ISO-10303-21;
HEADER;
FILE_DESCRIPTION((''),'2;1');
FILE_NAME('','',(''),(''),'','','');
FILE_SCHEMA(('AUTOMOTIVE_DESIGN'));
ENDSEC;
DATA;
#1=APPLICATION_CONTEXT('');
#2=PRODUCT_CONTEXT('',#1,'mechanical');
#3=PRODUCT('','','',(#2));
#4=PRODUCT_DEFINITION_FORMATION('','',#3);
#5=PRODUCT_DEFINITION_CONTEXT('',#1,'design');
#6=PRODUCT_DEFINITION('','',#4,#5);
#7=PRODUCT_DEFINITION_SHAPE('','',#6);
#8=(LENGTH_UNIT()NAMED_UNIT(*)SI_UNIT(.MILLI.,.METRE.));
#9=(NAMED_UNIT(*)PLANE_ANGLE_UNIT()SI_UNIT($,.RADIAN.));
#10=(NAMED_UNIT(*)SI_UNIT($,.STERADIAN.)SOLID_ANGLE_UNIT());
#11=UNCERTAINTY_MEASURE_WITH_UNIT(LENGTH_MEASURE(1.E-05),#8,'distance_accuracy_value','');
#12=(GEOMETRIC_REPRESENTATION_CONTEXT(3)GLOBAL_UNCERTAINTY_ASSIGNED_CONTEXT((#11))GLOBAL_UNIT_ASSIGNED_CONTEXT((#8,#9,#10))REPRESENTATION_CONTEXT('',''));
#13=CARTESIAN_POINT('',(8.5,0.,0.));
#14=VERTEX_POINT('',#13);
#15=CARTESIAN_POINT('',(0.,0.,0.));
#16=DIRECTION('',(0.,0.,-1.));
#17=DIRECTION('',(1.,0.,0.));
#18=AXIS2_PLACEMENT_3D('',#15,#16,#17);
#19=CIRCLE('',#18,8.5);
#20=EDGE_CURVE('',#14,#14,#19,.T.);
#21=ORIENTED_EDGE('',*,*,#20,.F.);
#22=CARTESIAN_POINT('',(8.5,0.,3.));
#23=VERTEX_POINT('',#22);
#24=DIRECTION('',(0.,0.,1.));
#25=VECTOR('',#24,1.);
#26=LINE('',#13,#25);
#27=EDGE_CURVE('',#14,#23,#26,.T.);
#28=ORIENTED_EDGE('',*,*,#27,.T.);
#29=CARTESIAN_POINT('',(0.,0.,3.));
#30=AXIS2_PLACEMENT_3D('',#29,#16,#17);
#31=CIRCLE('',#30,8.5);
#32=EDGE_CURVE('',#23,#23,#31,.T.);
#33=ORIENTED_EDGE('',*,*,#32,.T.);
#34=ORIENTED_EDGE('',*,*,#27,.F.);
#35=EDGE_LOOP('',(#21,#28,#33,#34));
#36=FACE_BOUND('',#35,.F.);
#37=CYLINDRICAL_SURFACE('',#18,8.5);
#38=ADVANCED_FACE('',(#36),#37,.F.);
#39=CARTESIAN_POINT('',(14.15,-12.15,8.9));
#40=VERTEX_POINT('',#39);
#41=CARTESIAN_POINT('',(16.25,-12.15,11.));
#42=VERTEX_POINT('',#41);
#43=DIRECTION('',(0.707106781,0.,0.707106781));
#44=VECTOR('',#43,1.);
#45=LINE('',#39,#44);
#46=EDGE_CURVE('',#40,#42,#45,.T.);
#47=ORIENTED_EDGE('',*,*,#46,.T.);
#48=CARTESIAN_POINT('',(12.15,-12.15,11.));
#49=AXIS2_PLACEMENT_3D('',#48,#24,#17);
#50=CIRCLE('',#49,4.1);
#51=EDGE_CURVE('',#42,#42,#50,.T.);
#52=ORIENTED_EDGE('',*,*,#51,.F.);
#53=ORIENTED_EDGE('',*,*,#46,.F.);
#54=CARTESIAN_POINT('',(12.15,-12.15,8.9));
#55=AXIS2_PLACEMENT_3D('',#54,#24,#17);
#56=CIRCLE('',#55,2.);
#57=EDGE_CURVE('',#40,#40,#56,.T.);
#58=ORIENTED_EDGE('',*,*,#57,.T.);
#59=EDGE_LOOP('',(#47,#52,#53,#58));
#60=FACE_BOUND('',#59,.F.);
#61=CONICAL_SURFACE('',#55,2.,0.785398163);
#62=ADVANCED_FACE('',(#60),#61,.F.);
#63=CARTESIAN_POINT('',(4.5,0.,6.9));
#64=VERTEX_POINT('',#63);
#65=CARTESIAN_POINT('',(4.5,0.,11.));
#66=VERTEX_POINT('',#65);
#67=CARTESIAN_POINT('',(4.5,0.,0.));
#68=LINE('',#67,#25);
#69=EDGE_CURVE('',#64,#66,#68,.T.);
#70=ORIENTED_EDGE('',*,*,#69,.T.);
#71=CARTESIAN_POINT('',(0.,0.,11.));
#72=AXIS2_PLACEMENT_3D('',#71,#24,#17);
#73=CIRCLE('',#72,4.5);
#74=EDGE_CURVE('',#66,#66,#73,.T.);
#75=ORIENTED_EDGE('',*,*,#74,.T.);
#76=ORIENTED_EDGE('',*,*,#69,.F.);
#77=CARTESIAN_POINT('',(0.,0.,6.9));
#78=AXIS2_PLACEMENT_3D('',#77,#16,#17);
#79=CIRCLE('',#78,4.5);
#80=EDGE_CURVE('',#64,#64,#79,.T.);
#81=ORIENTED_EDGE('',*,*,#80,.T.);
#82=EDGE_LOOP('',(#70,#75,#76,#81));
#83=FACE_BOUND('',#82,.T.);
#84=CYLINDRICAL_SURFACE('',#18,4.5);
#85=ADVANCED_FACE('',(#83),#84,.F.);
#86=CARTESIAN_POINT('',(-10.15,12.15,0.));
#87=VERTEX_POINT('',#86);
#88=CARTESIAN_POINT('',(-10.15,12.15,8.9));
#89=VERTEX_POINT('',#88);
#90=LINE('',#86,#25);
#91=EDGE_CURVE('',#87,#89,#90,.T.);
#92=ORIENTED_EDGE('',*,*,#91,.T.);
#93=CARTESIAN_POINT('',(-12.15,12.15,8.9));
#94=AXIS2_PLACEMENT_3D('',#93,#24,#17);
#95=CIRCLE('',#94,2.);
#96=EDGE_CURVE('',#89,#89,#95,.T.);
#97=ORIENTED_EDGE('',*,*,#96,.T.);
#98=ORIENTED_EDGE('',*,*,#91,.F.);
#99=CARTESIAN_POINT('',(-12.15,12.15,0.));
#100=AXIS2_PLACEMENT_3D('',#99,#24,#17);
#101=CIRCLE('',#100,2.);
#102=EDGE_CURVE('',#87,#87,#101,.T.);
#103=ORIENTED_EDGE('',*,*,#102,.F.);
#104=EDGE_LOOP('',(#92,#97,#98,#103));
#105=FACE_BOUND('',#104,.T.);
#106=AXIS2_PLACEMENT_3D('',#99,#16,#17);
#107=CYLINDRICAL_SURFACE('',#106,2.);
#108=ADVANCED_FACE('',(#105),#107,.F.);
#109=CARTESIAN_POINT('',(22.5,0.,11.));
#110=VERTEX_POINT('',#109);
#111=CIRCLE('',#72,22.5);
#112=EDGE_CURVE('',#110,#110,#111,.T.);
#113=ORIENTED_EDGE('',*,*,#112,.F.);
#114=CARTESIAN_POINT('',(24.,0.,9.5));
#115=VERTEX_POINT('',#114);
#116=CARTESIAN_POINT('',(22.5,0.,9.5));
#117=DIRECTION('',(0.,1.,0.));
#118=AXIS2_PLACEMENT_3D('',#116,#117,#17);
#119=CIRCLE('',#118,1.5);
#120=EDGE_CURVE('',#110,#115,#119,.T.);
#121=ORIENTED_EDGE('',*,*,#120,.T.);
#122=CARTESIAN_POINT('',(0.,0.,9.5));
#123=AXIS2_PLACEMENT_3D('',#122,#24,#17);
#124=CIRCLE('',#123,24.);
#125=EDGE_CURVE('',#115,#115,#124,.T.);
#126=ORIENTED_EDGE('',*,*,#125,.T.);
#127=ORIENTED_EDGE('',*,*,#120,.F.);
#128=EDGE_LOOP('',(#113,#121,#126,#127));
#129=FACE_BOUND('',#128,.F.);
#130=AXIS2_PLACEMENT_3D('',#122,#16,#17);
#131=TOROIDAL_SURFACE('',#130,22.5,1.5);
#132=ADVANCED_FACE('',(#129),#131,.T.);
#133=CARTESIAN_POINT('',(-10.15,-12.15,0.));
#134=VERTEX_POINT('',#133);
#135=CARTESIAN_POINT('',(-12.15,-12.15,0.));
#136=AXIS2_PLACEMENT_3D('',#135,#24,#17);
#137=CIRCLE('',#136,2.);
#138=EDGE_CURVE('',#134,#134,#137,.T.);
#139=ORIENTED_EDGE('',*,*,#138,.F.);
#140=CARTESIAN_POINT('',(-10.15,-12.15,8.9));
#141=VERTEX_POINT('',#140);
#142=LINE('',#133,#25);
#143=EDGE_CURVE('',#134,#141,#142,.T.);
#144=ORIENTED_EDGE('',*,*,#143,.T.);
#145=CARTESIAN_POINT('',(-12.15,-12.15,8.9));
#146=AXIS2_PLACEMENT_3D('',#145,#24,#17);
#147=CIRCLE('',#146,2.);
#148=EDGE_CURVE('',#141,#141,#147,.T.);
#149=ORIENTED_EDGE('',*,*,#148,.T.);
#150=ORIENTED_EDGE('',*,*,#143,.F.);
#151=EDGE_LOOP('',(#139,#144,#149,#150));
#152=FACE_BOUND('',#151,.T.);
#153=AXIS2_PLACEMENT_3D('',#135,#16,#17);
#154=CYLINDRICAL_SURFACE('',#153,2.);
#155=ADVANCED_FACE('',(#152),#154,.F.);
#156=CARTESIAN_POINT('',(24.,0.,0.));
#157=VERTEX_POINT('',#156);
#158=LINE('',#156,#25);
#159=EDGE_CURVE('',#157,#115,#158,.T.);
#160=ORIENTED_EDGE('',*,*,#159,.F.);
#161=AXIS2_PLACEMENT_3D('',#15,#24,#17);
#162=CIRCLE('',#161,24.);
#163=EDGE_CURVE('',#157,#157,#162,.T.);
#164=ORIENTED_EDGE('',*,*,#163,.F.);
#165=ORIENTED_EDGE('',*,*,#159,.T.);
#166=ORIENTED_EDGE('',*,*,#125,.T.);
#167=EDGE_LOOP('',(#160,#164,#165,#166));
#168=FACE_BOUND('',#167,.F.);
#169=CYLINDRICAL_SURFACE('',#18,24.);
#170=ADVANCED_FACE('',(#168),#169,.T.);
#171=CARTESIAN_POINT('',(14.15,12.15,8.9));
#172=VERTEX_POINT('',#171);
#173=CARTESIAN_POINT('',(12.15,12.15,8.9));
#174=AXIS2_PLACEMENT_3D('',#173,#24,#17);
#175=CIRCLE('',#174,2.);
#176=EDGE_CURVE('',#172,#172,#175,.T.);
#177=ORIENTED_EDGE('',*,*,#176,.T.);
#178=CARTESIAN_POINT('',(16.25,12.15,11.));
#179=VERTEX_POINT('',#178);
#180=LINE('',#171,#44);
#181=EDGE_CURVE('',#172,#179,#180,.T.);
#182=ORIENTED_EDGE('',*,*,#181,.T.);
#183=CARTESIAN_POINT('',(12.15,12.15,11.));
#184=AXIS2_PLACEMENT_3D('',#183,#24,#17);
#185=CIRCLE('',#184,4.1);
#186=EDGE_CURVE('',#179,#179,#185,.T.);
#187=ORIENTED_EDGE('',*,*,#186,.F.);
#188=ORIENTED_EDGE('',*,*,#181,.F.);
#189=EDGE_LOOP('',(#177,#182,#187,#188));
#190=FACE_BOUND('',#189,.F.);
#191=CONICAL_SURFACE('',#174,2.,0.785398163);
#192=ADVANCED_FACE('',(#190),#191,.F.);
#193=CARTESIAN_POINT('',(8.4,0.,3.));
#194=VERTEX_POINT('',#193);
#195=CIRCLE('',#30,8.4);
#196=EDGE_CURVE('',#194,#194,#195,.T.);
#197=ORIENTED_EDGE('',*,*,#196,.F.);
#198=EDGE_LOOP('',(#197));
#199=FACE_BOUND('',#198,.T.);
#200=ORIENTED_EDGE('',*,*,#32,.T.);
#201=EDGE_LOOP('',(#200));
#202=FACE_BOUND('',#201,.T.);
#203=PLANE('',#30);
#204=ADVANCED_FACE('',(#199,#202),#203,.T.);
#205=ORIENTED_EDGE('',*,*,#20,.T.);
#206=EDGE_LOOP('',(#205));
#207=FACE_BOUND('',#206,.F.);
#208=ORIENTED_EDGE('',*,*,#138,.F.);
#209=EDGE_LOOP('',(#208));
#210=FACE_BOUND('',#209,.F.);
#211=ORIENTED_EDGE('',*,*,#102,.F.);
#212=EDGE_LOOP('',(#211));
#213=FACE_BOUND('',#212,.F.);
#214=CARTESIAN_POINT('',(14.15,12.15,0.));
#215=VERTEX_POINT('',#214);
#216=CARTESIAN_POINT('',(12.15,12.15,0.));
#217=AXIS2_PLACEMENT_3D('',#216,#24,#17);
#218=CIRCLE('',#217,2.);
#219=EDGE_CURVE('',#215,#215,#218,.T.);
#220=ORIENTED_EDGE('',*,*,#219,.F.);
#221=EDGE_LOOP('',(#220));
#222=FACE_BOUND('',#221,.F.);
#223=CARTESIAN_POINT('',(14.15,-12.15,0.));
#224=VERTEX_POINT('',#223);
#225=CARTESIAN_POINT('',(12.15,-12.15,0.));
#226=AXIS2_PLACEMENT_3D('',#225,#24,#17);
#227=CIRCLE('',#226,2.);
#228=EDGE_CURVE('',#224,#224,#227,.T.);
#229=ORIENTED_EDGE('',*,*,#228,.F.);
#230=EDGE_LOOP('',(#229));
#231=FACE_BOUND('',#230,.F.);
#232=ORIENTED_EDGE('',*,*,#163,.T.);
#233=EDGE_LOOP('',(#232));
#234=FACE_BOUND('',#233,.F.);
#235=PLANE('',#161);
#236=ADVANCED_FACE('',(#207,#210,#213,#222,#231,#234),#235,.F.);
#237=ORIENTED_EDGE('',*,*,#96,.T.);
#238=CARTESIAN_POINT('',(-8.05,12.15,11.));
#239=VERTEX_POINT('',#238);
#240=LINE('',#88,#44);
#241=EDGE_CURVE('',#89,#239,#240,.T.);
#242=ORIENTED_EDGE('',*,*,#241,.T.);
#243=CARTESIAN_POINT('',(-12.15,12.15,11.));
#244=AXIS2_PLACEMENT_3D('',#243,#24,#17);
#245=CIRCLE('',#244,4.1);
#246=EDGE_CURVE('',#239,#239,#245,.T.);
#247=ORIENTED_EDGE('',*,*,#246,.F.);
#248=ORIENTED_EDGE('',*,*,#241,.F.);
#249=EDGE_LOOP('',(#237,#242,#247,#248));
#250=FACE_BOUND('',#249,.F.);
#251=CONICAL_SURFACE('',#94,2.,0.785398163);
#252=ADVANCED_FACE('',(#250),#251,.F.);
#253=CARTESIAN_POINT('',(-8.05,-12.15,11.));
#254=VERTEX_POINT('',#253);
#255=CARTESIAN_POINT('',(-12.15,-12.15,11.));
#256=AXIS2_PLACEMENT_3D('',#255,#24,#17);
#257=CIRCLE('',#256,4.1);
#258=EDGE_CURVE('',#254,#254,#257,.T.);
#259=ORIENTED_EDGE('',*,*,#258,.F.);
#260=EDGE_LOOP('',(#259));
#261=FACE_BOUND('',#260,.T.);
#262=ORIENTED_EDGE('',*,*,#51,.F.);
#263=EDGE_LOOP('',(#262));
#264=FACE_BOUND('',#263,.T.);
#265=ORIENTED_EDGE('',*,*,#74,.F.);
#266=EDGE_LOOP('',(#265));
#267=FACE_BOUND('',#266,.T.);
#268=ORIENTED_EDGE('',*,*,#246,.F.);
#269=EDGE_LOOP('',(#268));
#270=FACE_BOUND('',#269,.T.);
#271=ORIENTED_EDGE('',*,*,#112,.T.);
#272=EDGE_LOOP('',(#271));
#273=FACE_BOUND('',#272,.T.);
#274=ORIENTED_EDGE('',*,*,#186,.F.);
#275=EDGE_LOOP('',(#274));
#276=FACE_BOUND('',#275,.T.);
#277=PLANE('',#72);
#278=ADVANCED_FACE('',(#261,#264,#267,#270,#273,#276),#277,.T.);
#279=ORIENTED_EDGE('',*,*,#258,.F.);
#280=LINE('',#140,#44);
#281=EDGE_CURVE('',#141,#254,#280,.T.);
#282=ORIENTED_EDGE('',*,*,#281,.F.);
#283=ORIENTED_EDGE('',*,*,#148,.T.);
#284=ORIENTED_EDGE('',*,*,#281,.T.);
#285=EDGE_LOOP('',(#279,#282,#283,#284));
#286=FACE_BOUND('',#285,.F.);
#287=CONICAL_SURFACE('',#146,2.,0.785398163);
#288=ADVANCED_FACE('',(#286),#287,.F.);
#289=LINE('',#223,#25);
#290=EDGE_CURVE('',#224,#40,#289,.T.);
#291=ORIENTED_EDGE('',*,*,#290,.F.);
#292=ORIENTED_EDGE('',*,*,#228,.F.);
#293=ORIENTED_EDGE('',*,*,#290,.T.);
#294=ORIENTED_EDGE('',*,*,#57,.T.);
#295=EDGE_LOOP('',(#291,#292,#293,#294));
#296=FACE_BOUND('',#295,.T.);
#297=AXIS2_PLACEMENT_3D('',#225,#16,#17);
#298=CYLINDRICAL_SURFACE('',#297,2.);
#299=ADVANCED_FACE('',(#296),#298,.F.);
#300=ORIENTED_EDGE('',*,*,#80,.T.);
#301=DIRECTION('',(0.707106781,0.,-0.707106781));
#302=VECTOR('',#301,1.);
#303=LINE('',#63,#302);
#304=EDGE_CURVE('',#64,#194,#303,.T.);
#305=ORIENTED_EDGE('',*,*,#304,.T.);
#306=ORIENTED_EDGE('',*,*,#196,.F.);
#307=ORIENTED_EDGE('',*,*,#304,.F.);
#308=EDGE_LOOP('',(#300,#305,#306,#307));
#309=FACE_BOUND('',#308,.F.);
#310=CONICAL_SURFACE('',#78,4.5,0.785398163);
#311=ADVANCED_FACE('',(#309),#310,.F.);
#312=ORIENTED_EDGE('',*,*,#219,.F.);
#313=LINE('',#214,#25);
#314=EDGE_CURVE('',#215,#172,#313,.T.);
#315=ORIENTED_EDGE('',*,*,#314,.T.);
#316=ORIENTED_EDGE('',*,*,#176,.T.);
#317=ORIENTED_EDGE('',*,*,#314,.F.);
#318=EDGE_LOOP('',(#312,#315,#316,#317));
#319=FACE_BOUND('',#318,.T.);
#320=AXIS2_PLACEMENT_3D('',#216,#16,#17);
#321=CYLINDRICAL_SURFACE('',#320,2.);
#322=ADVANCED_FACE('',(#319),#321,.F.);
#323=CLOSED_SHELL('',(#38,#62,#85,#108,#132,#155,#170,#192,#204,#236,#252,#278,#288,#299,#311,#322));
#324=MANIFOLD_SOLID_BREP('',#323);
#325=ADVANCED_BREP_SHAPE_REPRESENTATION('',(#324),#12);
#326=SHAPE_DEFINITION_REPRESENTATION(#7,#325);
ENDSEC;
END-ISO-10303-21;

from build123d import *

# Parameters (mm, degrees)
SKETCH_R        = 24
SKETCH_R_2      = 4.5
SKETCH_R_3      = 2
PAD_DEPTH       = 11
CHAMFER_SIZE    = 2.1
FILLET_R        = 1.5
SKETCH001_R     = 8.5
POCKET_DEPTH    = 3
CHAMFER001_SIZE = 3.9


with BuildPart() as part:
    # Sketch → Pad (new body)
    with BuildSketch(Plane.XY):
        Circle(SKETCH_R)
        Circle(SKETCH_R_2, mode=Mode.SUBTRACT)
        with Locations((-12.15, 12.15)):
            Circle(SKETCH_R_3, mode=Mode.SUBTRACT)
        with Locations((12.15, 12.15)):
            Circle(SKETCH_R_3, mode=Mode.SUBTRACT)
        with Locations((12.15, -12.15)):
            Circle(SKETCH_R_3, mode=Mode.SUBTRACT)
        with Locations((-12.15, -12.15)):
            Circle(SKETCH_R_3, mode=Mode.SUBTRACT)
    extrude(amount=PAD_DEPTH)

    # Chamfer
    chamfer_edges = [part.edges().sort_by_distance(p)[0] for p in [
        (-14.15, 12.15, 11),
        (-14.15, -12.15, 11),
        (10.15, 12.15, 11),
        (10.15, -12.15, 11),
    ]]
    chamfer(chamfer_edges, length=CHAMFER_SIZE)

    # Fillet
    fillet_edges = [part.edges().sort_by_distance(p)[0] for p in [
        (-24, 0, 11),
    ]]
    fillet(fillet_edges, radius=FILLET_R)

    # Sketch001 (on Face10 of Fillet) → Pocket (cut)
    with BuildSketch(Plane(origin=(0, 0, 0), x_dir=(1, 0, 0), z_dir=(0, 0, -1))):
        Circle(SKETCH001_R)
    extrude(amount=-POCKET_DEPTH, mode=Mode.SUBTRACT)

    # Chamfer001
    chamfer001_edges = [part.edges().sort_by_distance(p)[0] for p in [
        (-4.5, 0, 3),
    ]]
    chamfer(chamfer001_edges, length=CHAMFER001_SIZE)


solid = part.part
